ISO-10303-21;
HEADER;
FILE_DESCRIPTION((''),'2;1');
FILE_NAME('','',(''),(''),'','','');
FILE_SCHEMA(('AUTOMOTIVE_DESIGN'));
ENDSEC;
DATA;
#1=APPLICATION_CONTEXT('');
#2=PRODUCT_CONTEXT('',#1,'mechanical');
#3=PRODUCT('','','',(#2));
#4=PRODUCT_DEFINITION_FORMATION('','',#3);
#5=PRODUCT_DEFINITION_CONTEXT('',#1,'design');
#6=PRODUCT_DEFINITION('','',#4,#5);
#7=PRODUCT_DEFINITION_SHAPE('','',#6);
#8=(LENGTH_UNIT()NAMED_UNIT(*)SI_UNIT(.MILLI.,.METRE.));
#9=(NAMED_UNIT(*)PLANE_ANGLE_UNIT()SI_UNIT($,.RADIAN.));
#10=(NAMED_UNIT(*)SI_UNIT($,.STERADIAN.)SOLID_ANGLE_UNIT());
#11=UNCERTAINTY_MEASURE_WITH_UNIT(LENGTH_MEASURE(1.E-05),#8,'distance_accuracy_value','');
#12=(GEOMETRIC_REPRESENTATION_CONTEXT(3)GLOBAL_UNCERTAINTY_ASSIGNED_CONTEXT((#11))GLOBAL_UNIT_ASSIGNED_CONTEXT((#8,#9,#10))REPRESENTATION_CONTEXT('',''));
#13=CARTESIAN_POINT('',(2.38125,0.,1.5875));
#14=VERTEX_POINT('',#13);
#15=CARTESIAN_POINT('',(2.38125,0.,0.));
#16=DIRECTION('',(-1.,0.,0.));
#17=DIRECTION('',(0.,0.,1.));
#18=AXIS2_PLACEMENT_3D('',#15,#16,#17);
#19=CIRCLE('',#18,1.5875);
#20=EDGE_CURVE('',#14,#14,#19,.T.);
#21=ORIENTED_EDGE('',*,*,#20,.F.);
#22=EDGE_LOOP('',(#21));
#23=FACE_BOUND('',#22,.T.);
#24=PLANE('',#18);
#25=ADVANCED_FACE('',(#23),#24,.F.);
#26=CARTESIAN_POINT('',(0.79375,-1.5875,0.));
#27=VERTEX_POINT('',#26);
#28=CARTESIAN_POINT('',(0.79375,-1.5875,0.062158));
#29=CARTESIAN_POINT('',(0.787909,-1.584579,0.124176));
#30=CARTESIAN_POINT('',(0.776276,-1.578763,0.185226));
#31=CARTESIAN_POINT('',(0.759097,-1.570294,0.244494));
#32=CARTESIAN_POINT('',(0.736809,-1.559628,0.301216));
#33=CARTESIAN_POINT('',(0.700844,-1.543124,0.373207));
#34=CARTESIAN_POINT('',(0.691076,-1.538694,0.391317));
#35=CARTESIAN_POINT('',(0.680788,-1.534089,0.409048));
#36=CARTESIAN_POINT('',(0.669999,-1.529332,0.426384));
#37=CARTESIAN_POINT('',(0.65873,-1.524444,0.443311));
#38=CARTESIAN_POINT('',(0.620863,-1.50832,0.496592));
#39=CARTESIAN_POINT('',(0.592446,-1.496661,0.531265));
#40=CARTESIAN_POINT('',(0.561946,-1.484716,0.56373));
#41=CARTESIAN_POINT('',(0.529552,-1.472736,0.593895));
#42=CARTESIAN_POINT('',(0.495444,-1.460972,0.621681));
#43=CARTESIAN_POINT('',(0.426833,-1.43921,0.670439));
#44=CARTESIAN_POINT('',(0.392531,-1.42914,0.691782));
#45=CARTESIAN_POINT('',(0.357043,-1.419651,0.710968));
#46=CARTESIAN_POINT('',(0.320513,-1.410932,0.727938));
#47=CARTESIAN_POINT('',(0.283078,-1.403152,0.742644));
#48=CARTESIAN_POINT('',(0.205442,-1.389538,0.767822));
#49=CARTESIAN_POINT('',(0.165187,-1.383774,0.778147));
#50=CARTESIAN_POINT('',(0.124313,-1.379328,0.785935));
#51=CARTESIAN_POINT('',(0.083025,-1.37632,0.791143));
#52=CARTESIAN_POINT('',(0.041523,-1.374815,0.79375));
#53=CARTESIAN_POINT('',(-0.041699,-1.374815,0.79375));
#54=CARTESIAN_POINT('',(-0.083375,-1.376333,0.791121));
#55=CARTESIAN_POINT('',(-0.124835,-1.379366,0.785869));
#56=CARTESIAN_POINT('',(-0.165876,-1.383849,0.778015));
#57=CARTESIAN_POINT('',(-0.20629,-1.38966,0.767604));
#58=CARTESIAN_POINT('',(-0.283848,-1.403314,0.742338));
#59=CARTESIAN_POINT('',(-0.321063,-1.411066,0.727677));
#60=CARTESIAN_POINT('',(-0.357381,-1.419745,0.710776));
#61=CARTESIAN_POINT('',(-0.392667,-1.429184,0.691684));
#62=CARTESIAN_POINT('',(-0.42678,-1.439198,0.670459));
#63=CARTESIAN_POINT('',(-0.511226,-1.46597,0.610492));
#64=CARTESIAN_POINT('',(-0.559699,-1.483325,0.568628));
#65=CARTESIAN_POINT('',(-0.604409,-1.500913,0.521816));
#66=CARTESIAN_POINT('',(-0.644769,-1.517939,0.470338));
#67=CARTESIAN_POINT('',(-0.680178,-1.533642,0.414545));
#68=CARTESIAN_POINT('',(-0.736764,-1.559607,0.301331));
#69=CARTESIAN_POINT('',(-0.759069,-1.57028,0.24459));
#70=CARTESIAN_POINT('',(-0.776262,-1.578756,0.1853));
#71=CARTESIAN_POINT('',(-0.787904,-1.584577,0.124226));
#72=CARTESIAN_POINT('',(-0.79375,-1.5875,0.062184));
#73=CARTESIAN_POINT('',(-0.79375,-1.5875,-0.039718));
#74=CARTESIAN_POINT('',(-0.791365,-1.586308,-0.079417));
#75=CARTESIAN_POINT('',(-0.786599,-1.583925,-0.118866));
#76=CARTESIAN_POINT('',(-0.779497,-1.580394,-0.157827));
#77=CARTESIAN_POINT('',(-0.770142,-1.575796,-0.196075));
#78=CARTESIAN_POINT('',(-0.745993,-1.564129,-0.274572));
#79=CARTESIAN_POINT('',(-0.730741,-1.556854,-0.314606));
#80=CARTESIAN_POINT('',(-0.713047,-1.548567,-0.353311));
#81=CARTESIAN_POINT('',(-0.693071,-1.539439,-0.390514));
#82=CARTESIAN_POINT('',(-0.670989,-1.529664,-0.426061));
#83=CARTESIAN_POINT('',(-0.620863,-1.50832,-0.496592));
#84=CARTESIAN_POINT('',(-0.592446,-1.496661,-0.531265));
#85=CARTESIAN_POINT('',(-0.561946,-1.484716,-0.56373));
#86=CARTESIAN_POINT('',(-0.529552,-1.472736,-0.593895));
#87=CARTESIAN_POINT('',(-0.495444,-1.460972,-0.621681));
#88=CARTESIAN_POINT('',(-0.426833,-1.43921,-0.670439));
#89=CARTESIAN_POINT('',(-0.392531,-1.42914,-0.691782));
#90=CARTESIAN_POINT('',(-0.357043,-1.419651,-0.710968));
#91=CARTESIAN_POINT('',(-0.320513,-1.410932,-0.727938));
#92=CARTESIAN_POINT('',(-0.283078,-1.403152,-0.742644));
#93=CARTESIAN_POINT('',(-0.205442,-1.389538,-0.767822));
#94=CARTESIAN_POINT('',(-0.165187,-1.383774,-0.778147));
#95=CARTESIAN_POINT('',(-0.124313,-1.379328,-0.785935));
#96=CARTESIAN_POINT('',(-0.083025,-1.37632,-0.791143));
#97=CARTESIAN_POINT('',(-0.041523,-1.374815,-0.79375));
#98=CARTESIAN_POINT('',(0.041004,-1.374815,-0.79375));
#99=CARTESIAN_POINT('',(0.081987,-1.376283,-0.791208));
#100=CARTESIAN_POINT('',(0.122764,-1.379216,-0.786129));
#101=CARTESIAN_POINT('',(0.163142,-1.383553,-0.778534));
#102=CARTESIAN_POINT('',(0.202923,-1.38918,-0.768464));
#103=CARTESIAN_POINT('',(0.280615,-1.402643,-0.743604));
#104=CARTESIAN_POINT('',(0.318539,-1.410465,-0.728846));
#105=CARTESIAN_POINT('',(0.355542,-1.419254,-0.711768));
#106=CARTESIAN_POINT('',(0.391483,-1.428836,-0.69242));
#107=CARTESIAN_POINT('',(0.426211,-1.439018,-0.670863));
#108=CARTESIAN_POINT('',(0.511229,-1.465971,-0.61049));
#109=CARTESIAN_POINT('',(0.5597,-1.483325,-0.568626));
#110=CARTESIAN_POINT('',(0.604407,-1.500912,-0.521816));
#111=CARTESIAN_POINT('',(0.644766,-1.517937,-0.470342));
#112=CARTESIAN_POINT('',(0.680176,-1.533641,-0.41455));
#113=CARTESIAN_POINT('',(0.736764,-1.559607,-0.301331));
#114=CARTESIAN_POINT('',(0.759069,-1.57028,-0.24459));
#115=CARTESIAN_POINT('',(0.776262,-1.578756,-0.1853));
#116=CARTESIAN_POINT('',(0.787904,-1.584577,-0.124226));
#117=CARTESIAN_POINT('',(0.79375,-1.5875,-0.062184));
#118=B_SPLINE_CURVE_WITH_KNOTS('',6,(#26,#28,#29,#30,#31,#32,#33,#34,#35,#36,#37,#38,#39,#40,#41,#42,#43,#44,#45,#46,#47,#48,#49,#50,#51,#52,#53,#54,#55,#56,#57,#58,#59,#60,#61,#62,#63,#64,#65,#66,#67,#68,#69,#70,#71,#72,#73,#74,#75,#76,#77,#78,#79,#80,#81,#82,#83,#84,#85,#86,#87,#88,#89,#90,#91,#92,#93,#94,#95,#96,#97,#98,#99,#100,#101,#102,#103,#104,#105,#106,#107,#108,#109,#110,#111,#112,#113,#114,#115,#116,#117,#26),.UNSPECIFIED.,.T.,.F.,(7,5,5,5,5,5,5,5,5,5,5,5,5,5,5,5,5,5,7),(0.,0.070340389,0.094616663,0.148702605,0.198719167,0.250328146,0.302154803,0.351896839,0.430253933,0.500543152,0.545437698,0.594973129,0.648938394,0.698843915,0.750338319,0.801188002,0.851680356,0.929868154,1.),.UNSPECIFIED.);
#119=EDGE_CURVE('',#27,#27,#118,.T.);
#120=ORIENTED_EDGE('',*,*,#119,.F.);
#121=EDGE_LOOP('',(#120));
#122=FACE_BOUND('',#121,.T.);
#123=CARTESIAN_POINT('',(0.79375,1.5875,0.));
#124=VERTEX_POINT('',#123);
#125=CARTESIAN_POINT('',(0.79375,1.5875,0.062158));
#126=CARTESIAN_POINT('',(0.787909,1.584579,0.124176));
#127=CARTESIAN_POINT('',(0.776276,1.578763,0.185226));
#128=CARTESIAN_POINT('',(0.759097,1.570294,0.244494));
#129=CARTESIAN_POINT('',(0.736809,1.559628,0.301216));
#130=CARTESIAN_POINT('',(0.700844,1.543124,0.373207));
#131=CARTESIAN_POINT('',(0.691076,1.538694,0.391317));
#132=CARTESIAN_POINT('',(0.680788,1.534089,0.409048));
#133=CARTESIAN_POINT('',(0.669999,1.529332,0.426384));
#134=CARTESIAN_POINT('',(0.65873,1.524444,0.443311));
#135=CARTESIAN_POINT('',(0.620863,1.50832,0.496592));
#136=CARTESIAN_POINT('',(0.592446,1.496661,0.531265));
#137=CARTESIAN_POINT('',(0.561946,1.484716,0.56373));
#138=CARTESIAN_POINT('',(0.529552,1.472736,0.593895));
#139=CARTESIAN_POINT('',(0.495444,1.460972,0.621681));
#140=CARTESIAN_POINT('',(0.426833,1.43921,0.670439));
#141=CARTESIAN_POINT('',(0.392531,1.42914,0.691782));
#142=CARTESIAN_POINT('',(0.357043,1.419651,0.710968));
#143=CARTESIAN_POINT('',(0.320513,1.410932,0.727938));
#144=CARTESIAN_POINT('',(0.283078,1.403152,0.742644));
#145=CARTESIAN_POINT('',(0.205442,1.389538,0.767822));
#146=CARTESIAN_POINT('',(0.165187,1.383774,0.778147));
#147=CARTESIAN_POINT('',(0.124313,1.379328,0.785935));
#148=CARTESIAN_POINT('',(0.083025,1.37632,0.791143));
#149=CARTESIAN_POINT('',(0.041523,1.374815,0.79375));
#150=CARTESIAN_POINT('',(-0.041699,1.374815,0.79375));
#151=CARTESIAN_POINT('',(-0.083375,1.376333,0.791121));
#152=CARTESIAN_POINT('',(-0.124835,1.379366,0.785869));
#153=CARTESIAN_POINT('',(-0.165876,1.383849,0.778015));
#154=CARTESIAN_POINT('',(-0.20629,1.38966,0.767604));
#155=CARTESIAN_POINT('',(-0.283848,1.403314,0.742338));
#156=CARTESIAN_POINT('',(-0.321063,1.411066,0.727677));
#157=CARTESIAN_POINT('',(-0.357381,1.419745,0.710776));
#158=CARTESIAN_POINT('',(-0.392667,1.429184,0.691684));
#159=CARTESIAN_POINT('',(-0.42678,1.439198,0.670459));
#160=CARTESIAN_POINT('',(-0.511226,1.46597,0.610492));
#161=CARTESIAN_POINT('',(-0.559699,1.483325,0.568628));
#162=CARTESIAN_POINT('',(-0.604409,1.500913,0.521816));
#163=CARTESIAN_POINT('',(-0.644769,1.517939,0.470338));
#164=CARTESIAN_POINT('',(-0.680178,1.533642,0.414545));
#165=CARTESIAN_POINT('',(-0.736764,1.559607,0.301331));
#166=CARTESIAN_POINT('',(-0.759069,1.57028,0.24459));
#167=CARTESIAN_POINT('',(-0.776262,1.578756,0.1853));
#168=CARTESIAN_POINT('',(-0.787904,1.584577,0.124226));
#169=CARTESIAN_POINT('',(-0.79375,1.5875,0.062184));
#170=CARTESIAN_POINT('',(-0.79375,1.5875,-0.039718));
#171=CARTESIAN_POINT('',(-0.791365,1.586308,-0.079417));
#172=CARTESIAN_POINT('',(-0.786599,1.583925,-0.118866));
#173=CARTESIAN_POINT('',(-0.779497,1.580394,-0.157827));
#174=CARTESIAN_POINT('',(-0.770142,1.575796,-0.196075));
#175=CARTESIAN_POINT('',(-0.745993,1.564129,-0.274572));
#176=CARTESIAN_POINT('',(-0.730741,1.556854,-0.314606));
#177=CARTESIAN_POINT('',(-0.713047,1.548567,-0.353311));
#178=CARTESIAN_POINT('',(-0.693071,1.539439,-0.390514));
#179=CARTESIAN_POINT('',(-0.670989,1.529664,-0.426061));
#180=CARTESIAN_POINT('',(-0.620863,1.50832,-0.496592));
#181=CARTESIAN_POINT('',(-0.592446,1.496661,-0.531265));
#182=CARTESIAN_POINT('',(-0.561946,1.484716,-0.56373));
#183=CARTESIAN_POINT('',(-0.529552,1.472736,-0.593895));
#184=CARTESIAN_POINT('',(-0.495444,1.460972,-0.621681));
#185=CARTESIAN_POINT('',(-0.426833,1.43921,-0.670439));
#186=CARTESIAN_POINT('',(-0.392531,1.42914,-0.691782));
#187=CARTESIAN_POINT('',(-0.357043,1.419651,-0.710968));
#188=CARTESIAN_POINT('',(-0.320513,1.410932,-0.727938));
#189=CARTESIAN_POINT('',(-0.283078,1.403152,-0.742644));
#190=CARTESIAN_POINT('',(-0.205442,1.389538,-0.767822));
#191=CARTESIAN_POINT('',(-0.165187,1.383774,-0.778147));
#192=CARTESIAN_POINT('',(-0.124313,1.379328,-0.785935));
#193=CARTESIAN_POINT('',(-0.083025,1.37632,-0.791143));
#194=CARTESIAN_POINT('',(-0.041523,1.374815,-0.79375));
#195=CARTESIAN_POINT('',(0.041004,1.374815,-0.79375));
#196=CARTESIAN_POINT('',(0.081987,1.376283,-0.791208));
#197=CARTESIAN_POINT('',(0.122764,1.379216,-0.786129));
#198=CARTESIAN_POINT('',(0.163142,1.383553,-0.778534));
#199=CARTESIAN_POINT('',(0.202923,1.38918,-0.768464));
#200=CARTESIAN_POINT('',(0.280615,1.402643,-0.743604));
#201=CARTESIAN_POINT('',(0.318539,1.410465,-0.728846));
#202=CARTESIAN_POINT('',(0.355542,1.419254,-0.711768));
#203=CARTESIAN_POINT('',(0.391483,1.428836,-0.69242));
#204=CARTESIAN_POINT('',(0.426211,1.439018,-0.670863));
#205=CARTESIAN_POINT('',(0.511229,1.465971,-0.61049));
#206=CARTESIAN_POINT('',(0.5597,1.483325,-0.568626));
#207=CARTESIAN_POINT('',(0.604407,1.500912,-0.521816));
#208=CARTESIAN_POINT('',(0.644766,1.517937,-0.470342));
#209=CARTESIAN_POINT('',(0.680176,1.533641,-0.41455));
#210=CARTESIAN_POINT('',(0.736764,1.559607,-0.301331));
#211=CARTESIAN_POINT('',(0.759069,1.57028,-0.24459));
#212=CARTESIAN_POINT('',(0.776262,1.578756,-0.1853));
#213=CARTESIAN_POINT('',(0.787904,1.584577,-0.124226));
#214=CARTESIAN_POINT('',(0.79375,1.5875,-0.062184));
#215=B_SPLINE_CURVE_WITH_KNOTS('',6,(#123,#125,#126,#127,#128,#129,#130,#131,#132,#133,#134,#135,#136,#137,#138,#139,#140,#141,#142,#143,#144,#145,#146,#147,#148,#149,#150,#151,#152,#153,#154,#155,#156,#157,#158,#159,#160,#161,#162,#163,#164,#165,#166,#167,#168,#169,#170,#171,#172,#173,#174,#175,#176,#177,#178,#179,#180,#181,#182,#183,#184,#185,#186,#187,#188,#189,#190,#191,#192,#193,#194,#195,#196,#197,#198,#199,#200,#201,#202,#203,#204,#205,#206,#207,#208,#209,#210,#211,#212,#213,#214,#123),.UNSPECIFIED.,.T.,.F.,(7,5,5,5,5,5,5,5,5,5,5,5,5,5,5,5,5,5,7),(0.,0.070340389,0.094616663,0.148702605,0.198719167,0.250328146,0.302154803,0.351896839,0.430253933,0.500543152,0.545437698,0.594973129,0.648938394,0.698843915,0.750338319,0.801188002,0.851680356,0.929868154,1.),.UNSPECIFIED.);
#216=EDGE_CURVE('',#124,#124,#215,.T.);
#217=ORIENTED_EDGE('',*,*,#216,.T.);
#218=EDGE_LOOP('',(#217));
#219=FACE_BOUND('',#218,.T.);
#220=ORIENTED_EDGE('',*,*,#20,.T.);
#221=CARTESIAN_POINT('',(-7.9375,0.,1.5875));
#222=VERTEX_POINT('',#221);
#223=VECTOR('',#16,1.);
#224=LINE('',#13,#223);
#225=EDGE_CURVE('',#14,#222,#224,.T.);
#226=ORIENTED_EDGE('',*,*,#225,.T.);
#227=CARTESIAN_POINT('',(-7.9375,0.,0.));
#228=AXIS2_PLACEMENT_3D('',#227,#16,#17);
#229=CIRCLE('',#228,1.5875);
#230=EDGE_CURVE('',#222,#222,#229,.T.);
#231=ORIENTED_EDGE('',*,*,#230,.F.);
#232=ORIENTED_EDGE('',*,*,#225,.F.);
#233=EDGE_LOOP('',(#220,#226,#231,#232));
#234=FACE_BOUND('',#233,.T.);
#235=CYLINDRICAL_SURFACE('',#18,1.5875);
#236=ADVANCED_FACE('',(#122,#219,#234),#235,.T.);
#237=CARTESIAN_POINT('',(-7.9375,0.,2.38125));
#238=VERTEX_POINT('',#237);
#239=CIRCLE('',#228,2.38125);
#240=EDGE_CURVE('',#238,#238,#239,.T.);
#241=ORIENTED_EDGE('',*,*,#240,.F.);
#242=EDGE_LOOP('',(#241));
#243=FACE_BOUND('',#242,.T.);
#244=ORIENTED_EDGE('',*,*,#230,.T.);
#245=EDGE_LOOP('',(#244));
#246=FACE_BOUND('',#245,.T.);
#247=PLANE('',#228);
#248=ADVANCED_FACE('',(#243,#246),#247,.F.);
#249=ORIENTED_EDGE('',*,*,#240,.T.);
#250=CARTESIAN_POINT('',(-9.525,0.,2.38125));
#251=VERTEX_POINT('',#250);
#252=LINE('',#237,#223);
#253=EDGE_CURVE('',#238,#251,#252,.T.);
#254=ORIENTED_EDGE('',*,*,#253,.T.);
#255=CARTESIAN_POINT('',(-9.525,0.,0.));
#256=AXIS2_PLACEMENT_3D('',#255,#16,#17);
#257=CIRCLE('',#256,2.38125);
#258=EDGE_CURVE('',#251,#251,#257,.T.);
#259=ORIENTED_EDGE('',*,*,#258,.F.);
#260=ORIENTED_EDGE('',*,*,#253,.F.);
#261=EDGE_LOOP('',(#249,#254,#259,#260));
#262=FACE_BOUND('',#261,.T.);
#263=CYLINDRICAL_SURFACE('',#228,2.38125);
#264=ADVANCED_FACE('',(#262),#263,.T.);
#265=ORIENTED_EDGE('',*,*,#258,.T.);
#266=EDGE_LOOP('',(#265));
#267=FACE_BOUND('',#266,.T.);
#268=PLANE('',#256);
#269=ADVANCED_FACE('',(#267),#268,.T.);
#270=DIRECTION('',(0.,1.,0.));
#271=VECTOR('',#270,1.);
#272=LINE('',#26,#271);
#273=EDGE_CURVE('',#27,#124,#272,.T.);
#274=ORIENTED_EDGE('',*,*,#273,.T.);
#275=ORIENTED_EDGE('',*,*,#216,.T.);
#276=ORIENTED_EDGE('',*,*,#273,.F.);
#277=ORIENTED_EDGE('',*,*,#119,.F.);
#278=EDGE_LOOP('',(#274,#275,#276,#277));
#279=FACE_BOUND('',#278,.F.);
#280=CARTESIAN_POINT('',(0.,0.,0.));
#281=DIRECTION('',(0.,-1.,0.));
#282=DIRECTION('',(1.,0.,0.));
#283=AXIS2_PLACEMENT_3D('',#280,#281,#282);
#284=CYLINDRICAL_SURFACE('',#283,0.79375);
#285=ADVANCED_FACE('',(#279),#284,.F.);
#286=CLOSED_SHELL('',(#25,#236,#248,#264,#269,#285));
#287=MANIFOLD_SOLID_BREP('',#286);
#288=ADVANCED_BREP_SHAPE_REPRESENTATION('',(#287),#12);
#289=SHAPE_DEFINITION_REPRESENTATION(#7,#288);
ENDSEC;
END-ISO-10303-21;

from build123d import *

# Parameters (mm, degrees)
F2_R          = 0.79375
F3_DEPTH      = 2.38225
F3_DEPTH_BACK = 25.4


with BuildPart() as f1:
    # F0 (on Front) → F1 (revolve)
    with BuildSketch(Plane.XZ):
        Polygon((2.38125, 1.5875), (-7.9375, 1.5875), (-7.9375, 2.38125), (-9.525, 2.38125), (-9.525, 0), (2.38125, 0), align=None)
    revolve(axis=Axis((-3.571875, 0, 0), (-1, 0, 0)))

    # F2 (on Front) → F3 (cut, two sides)
    with BuildSketch(Plane.XZ) as f3_sk:
        Circle(F2_R)
    extrude(amount=F3_DEPTH, mode=Mode.SUBTRACT)
    extrude(f3_sk.sketch, amount=-F3_DEPTH_BACK, mode=Mode.SUBTRACT)


solid = f1.part
